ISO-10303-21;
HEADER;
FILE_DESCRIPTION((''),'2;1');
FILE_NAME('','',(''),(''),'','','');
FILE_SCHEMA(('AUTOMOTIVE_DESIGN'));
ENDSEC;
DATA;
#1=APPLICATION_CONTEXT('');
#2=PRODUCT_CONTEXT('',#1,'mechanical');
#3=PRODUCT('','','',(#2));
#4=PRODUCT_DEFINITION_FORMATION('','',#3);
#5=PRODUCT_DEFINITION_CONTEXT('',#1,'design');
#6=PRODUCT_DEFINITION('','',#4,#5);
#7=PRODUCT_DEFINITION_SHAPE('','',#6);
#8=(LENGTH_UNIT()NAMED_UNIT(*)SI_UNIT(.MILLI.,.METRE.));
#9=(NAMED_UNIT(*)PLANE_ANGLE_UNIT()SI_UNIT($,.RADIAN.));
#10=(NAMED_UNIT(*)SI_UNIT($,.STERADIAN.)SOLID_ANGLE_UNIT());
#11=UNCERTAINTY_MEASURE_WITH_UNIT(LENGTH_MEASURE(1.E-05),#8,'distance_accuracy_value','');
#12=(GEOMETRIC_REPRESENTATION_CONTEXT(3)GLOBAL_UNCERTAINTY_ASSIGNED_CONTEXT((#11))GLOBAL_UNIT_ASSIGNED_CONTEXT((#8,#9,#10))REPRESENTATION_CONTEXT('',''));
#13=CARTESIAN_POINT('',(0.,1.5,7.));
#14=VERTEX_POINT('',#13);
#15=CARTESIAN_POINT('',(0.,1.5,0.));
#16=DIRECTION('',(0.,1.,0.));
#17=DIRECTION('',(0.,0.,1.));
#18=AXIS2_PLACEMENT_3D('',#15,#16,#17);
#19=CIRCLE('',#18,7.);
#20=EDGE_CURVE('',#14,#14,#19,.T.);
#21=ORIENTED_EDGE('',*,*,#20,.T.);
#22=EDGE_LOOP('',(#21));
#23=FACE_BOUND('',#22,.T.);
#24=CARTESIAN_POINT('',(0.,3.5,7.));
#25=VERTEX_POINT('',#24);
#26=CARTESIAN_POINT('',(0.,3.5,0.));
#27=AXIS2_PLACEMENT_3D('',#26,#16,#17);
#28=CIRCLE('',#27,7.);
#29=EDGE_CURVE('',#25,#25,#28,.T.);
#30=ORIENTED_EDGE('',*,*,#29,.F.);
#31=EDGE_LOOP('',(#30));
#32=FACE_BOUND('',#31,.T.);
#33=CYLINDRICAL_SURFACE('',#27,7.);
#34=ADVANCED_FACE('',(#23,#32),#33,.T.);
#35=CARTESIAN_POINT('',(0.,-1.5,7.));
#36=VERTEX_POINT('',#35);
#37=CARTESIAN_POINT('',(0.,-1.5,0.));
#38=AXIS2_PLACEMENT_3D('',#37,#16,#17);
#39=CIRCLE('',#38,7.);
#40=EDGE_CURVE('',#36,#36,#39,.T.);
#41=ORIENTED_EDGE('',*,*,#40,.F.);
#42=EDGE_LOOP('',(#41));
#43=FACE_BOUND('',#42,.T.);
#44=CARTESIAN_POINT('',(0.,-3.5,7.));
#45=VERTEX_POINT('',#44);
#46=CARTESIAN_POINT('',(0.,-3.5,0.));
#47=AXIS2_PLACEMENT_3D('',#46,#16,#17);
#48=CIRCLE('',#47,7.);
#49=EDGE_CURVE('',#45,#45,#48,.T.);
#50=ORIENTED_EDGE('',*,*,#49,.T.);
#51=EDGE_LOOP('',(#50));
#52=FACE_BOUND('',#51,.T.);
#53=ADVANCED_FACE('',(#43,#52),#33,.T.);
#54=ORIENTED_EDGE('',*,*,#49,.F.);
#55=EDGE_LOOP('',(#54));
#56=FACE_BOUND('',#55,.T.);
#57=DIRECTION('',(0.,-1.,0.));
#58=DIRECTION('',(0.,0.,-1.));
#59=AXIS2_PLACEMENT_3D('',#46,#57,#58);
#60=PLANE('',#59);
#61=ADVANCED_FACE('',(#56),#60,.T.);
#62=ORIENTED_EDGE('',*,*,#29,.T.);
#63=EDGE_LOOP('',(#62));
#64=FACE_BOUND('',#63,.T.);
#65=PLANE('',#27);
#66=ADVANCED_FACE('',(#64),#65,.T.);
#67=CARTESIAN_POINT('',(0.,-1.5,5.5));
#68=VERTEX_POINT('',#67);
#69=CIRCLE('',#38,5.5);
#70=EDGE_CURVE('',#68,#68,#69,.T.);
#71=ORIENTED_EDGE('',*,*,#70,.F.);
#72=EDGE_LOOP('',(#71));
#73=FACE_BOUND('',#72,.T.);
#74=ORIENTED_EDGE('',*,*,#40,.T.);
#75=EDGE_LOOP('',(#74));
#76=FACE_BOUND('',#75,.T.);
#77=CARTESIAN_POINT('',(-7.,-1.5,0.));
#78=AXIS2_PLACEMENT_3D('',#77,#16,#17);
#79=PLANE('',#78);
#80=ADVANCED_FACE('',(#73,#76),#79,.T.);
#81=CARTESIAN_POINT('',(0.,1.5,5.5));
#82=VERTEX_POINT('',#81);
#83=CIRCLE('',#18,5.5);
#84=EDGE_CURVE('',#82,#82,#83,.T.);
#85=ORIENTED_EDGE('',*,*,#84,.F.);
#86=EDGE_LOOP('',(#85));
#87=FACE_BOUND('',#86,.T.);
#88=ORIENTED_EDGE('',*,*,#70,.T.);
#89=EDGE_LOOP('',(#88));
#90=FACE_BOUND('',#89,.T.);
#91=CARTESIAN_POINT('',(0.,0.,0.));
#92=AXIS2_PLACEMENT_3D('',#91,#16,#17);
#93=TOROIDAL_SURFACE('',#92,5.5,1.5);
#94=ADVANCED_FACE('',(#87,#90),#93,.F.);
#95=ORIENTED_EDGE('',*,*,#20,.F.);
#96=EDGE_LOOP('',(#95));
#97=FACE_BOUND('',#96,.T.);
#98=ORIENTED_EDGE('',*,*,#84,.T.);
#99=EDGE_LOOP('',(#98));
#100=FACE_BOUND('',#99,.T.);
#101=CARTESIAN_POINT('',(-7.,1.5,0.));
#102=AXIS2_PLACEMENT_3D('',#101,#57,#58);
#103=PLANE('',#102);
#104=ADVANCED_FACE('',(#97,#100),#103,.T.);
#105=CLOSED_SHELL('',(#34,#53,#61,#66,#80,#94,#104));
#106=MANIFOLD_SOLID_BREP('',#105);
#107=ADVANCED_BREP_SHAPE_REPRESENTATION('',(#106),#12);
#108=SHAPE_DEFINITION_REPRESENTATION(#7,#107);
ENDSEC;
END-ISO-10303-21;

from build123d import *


with BuildPart() as part:
    # ｽｹｯﾁ1 → 回転1 (revolve)
    with BuildSketch(Plane.XY, mode=Mode.PRIVATE) as revolve_1_sk:
        with BuildLine():
            Line((0, 3.5), (-7, 3.5))
            Line((-7, 3.5), (-7, 1.5))
            Line((-7, 1.5), (-5.5, 1.5))
            ThreePointArc((-5.5, 1.5), (-4, 0), (-5.5, -1.5))
            Line((-5.5, -1.5), (-7, -1.5))
            Line((-7, -1.5), (-7, -3.5))
            Line((-7, -3.5), (0, -3.5))
            Line((0, -3.5), (0, 3.5))
        make_face()
    revolve(revolve_1_sk.sketch.rotate(Axis((0, 3.5, 0), (0, -1, 0)), 270), axis=Axis((0, 3.5, 0), (0, -1, 0)))


solid = part.part
